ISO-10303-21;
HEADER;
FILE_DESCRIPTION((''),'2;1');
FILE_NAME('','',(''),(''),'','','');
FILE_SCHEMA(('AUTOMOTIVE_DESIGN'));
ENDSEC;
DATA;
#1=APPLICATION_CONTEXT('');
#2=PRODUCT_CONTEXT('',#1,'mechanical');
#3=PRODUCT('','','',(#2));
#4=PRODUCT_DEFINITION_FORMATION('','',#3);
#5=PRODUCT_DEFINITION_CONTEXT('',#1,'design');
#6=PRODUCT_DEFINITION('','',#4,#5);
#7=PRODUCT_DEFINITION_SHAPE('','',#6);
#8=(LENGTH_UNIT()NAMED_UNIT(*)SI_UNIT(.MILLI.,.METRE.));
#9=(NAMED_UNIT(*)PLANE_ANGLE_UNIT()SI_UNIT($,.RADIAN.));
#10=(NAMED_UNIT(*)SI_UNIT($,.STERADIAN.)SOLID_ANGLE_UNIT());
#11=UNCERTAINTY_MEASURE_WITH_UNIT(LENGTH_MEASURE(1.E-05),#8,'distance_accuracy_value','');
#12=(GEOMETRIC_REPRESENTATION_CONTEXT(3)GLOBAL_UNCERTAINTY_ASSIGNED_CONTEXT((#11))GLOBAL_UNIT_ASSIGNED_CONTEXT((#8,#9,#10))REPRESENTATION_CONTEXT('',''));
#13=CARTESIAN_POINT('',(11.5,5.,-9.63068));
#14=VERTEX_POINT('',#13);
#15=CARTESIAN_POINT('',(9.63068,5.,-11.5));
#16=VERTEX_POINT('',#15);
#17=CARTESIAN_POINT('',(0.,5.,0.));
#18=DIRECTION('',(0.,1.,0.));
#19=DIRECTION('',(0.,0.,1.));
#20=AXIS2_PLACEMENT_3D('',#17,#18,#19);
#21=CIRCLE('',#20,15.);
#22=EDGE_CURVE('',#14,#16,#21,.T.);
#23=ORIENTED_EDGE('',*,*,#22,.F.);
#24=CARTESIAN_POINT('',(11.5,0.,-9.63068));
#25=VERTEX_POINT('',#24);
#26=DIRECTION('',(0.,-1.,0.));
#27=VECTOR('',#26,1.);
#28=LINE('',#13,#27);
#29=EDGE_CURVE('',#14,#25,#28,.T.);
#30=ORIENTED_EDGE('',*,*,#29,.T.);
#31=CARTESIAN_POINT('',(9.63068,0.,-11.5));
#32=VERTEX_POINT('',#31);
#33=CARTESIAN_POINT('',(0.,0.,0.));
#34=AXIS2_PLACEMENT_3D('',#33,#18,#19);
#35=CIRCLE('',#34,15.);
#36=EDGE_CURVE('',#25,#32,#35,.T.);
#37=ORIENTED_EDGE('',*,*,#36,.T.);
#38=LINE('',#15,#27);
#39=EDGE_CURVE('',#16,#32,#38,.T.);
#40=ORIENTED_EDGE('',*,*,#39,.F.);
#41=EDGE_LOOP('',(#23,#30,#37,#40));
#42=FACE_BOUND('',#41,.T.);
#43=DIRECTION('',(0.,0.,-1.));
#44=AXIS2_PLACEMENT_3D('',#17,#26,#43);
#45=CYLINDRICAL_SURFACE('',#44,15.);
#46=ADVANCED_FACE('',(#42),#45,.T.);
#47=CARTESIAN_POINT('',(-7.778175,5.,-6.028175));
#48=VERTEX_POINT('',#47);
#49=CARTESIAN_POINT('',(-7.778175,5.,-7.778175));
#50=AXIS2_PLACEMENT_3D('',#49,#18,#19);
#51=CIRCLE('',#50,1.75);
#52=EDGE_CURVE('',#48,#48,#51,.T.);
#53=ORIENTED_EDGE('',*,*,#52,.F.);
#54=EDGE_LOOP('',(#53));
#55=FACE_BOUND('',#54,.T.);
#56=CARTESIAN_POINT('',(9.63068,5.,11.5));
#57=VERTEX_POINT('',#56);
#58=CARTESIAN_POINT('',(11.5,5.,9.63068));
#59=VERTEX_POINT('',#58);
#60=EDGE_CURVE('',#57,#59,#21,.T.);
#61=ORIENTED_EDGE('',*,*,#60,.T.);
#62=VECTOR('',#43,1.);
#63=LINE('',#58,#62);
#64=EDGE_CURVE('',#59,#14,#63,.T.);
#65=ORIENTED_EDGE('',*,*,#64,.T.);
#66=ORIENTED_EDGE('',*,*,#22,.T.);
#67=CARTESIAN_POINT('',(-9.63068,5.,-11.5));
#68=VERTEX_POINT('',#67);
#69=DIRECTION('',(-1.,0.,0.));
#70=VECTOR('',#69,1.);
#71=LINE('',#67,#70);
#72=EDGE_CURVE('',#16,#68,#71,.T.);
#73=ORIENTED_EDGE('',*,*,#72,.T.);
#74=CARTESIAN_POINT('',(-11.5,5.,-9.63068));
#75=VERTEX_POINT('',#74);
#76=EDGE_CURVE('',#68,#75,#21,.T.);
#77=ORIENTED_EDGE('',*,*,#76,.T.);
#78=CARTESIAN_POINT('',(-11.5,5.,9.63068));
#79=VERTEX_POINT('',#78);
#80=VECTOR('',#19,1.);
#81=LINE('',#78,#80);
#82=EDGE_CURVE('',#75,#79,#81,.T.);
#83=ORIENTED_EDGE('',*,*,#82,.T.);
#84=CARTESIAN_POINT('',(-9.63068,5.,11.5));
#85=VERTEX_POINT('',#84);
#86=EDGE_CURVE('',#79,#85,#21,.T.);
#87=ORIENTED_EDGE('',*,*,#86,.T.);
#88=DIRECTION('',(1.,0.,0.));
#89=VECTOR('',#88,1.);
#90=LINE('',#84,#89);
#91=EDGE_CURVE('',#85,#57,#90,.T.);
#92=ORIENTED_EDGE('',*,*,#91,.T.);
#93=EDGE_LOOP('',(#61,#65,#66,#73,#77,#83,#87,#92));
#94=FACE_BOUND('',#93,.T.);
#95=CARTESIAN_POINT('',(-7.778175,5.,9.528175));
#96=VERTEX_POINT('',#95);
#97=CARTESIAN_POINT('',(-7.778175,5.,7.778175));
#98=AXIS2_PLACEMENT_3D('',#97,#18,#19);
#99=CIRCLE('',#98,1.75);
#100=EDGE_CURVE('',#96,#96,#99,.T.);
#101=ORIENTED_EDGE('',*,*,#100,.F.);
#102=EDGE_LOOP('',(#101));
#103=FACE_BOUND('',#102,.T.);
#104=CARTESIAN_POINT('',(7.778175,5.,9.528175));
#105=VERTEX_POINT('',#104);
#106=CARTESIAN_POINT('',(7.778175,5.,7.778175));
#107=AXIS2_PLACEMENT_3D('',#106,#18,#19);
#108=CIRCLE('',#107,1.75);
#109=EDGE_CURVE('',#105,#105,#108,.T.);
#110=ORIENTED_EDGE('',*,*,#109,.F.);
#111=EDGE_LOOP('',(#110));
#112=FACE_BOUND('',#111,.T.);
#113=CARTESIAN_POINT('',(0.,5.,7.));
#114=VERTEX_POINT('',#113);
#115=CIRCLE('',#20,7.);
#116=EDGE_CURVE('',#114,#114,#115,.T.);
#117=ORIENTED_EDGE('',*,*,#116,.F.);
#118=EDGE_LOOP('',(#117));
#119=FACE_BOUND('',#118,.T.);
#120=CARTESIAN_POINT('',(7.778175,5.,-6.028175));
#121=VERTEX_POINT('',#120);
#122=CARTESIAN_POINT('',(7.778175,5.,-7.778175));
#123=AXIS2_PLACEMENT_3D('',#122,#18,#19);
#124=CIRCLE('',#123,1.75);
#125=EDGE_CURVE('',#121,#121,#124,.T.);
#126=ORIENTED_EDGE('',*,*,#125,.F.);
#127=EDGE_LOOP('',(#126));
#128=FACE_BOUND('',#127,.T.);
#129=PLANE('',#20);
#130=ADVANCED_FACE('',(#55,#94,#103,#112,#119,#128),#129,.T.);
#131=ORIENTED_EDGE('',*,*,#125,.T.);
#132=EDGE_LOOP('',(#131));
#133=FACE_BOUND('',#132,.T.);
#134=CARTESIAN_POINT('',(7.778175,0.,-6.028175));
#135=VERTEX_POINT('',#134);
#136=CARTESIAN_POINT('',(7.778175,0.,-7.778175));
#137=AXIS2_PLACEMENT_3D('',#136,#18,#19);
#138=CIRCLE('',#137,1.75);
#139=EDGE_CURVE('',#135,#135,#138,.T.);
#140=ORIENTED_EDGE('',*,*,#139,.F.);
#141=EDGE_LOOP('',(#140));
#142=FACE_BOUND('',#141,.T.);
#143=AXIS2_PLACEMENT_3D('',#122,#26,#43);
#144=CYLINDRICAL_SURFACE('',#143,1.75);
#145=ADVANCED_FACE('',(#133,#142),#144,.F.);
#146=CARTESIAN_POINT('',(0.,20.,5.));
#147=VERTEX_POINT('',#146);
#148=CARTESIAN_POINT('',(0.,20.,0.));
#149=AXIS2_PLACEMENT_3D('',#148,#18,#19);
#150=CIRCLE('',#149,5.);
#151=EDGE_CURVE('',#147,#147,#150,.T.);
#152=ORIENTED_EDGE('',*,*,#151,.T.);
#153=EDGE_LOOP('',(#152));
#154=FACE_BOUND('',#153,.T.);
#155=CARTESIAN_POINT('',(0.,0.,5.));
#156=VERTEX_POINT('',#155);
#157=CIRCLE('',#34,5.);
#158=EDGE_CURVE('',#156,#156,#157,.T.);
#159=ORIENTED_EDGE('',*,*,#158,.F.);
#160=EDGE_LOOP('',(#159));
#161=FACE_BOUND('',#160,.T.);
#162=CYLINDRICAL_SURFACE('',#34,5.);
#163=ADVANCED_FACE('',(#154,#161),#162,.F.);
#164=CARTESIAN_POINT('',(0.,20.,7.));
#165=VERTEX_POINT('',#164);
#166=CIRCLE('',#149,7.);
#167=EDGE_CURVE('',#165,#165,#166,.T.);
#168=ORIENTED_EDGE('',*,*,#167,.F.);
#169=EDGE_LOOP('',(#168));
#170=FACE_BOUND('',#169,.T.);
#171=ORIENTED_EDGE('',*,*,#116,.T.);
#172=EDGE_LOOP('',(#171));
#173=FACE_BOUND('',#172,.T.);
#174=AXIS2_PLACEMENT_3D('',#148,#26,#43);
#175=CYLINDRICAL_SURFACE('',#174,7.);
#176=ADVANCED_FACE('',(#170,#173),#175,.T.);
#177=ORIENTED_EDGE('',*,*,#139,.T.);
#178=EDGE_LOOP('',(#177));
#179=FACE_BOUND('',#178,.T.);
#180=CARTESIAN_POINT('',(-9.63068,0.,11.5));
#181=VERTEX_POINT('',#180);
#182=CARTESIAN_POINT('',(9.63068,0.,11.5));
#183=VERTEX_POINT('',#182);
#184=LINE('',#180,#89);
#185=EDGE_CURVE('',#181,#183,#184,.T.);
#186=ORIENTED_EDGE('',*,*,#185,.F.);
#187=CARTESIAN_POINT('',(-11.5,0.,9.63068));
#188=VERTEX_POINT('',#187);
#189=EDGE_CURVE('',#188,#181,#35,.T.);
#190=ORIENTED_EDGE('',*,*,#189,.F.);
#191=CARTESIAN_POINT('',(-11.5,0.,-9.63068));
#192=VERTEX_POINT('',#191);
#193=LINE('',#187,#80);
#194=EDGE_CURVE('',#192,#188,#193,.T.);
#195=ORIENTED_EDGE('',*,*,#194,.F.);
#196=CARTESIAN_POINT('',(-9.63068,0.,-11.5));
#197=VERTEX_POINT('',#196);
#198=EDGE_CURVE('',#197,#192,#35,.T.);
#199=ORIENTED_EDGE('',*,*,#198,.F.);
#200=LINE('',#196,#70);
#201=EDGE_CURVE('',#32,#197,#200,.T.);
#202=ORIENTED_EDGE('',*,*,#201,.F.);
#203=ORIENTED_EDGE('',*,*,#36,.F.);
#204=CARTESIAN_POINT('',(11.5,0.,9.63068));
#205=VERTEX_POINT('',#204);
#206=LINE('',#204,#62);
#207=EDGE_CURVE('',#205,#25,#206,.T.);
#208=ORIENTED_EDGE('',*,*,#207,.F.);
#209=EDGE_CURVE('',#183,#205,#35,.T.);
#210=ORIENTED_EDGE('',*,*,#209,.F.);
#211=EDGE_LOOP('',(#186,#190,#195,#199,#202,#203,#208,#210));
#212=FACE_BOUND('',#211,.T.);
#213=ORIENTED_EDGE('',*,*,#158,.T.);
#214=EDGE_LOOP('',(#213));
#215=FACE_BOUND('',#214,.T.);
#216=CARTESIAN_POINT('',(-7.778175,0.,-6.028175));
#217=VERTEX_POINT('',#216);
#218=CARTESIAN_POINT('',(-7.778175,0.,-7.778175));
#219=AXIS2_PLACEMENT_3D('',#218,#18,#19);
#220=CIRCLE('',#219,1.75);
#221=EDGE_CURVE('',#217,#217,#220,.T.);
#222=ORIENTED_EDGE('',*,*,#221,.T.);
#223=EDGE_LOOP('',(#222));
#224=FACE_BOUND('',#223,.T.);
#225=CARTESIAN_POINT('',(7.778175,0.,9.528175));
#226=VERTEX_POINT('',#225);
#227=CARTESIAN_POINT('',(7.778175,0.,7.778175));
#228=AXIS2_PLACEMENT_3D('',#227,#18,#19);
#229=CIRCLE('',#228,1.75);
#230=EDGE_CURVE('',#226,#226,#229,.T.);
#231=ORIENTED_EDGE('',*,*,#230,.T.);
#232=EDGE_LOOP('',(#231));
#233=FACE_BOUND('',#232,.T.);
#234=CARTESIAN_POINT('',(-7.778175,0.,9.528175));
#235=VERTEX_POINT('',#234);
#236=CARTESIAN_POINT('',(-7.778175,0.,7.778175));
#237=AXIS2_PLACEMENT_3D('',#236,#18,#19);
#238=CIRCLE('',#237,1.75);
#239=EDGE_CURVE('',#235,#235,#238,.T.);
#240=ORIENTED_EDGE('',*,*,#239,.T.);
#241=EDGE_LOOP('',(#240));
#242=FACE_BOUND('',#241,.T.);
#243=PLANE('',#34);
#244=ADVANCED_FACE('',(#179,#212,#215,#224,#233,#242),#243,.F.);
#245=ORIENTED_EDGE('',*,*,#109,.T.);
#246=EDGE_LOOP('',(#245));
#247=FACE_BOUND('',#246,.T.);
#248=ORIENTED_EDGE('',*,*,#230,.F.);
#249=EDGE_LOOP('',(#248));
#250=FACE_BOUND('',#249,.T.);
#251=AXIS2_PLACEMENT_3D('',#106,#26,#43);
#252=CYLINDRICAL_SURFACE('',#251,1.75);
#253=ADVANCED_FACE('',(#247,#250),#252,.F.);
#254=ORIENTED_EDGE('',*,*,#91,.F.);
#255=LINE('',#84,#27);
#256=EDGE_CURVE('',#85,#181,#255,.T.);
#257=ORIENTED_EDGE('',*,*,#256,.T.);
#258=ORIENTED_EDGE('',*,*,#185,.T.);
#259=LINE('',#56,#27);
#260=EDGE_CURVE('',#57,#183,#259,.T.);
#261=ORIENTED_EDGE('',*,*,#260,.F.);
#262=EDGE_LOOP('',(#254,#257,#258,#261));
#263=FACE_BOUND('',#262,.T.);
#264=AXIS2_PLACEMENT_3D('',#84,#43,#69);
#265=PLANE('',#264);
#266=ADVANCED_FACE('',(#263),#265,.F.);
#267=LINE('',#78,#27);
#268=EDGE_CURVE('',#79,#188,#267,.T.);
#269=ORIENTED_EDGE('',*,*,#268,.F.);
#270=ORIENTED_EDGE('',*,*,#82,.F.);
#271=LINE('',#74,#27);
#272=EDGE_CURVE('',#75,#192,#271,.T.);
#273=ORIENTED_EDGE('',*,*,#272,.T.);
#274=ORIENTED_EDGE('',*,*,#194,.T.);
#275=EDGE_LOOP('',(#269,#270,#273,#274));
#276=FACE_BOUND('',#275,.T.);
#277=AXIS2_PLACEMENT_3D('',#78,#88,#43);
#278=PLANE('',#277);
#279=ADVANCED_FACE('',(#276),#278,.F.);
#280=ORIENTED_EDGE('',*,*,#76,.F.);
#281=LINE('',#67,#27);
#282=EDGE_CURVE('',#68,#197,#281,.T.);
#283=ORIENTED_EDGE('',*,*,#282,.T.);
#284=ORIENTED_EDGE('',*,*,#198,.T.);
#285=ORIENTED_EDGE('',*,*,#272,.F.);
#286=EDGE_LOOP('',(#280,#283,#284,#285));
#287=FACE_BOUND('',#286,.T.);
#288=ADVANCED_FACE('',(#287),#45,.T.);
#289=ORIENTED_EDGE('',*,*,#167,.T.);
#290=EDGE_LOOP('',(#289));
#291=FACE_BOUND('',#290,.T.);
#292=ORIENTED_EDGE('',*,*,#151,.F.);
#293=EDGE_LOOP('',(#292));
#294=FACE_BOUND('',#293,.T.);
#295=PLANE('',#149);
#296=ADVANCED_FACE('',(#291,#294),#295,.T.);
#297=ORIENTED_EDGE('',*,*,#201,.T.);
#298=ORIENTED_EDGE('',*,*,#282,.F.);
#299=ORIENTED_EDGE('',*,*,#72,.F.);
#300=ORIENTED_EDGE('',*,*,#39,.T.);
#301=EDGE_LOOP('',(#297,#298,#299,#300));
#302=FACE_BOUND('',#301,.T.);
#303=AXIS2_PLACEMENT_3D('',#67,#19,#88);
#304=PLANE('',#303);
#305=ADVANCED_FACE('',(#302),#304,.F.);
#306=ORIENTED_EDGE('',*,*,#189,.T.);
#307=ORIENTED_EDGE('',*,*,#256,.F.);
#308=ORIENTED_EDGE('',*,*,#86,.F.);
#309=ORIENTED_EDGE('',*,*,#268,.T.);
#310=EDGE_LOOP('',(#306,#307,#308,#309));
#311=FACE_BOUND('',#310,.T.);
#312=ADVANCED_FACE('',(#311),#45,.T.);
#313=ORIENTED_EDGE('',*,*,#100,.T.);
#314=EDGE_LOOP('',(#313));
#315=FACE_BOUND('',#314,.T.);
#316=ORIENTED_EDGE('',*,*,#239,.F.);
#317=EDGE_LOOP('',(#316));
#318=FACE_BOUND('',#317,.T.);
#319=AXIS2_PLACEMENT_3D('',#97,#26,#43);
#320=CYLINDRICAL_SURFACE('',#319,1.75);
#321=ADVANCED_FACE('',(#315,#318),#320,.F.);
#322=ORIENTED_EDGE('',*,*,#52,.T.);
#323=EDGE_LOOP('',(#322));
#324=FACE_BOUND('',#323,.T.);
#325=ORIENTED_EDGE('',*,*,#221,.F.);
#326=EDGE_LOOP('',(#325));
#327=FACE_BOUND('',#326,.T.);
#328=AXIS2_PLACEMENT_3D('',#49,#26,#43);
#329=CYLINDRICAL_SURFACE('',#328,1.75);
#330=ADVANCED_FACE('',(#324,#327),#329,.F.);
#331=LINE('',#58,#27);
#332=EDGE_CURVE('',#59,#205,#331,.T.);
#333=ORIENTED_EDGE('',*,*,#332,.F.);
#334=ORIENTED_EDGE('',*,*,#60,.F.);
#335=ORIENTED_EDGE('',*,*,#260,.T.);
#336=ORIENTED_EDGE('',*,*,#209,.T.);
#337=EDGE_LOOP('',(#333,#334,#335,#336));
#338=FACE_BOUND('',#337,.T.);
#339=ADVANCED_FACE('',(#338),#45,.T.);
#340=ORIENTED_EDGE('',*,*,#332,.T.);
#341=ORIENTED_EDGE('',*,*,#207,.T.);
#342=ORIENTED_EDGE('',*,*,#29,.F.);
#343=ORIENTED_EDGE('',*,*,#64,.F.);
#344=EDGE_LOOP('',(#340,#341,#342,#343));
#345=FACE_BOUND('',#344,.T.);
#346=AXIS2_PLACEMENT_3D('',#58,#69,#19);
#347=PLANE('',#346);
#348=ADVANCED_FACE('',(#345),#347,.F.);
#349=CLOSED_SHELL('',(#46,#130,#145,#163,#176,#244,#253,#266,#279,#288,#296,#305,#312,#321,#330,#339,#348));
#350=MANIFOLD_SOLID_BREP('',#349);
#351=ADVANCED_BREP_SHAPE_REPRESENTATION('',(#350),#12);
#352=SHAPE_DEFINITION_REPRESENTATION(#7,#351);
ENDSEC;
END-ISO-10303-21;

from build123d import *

# Parameters (mm, degrees)
SKETCH1_R           = 1.75
BOSS_EXTRUDE1_DEPTH = 5
SKETCH2_R           = 7
BOSS_EXTRUDE2_DEPTH = 15
SKETCH3_R           = 5
CUT_EXTRUDE1_DEPTH  = 26.777897509


with BuildPart() as part:
    # Sketch1 → Boss-Extrude1 (new body)
    with BuildSketch(Plane(origin=(0, 0, 0), x_dir=(1, 0, 0), z_dir=(0, 1, 0))):
        with BuildLine():
            Line((-9.630680142, -11.5), (9.630680142, -11.5))
            ThreePointArc((9.630680142, -11.5), (10.606601718, -10.606601718), (11.5, -9.630680142))
            Line((11.5, -9.630680142), (11.5, 9.630680142))
            ThreePointArc((11.5, 9.630680142), (10.606601718, 10.606601718), (9.630680142, 11.5))
            Line((9.630680142, 11.5), (-9.630680142, 11.5))
            ThreePointArc((-9.630680142, 11.5), (-10.606601718, 10.606601718), (-11.5, 9.630680142))
            Line((-11.5, 9.630680142), (-11.5, -9.630680142))
            ThreePointArc((-11.5, -9.630680142), (-10.606601718, -10.606601718), (-9.630680142, -11.5))
        make_face()
        with Locations(Location((-7.778174593, 7.778174593, 0), (0, 0, 270))):
            Circle(SKETCH1_R, mode=Mode.SUBTRACT)
        with Locations(Location((7.778174593, 7.778174593, 0), (0, 0, 270))):
            Circle(SKETCH1_R, mode=Mode.SUBTRACT)
        with Locations(Location((-7.778174593, -7.778174593, 0), (0, 0, 270))):
            Circle(SKETCH1_R, mode=Mode.SUBTRACT)
        with Locations(Location((7.778174593, -7.778174593, 0), (0, 0, 270))):
            Circle(SKETCH1_R, mode=Mode.SUBTRACT)
    extrude(amount=BOSS_EXTRUDE1_DEPTH)

    # Sketch2 → Boss-Extrude2 (add)
    with BuildSketch(Plane(origin=(0, 5, 0), x_dir=(1, 0, 0), z_dir=(0, 1, 0))):
        with Locations(Location((0, 0, 0), (0, 0, 270))):
            Circle(SKETCH2_R)
    extrude(amount=BOSS_EXTRUDE2_DEPTH)

    # Sketch3 → Cut-Extrude1 (cut, through all)
    with BuildSketch(Plane(origin=(0, 20, 0), x_dir=(1, 0, 0), z_dir=(0, 1, 0))):
        with Locations(Location((0, 0, 0), (0, 0, 270))):
            Circle(SKETCH3_R)
    extrude(amount=-CUT_EXTRUDE1_DEPTH, mode=Mode.SUBTRACT)


solid = part.part
